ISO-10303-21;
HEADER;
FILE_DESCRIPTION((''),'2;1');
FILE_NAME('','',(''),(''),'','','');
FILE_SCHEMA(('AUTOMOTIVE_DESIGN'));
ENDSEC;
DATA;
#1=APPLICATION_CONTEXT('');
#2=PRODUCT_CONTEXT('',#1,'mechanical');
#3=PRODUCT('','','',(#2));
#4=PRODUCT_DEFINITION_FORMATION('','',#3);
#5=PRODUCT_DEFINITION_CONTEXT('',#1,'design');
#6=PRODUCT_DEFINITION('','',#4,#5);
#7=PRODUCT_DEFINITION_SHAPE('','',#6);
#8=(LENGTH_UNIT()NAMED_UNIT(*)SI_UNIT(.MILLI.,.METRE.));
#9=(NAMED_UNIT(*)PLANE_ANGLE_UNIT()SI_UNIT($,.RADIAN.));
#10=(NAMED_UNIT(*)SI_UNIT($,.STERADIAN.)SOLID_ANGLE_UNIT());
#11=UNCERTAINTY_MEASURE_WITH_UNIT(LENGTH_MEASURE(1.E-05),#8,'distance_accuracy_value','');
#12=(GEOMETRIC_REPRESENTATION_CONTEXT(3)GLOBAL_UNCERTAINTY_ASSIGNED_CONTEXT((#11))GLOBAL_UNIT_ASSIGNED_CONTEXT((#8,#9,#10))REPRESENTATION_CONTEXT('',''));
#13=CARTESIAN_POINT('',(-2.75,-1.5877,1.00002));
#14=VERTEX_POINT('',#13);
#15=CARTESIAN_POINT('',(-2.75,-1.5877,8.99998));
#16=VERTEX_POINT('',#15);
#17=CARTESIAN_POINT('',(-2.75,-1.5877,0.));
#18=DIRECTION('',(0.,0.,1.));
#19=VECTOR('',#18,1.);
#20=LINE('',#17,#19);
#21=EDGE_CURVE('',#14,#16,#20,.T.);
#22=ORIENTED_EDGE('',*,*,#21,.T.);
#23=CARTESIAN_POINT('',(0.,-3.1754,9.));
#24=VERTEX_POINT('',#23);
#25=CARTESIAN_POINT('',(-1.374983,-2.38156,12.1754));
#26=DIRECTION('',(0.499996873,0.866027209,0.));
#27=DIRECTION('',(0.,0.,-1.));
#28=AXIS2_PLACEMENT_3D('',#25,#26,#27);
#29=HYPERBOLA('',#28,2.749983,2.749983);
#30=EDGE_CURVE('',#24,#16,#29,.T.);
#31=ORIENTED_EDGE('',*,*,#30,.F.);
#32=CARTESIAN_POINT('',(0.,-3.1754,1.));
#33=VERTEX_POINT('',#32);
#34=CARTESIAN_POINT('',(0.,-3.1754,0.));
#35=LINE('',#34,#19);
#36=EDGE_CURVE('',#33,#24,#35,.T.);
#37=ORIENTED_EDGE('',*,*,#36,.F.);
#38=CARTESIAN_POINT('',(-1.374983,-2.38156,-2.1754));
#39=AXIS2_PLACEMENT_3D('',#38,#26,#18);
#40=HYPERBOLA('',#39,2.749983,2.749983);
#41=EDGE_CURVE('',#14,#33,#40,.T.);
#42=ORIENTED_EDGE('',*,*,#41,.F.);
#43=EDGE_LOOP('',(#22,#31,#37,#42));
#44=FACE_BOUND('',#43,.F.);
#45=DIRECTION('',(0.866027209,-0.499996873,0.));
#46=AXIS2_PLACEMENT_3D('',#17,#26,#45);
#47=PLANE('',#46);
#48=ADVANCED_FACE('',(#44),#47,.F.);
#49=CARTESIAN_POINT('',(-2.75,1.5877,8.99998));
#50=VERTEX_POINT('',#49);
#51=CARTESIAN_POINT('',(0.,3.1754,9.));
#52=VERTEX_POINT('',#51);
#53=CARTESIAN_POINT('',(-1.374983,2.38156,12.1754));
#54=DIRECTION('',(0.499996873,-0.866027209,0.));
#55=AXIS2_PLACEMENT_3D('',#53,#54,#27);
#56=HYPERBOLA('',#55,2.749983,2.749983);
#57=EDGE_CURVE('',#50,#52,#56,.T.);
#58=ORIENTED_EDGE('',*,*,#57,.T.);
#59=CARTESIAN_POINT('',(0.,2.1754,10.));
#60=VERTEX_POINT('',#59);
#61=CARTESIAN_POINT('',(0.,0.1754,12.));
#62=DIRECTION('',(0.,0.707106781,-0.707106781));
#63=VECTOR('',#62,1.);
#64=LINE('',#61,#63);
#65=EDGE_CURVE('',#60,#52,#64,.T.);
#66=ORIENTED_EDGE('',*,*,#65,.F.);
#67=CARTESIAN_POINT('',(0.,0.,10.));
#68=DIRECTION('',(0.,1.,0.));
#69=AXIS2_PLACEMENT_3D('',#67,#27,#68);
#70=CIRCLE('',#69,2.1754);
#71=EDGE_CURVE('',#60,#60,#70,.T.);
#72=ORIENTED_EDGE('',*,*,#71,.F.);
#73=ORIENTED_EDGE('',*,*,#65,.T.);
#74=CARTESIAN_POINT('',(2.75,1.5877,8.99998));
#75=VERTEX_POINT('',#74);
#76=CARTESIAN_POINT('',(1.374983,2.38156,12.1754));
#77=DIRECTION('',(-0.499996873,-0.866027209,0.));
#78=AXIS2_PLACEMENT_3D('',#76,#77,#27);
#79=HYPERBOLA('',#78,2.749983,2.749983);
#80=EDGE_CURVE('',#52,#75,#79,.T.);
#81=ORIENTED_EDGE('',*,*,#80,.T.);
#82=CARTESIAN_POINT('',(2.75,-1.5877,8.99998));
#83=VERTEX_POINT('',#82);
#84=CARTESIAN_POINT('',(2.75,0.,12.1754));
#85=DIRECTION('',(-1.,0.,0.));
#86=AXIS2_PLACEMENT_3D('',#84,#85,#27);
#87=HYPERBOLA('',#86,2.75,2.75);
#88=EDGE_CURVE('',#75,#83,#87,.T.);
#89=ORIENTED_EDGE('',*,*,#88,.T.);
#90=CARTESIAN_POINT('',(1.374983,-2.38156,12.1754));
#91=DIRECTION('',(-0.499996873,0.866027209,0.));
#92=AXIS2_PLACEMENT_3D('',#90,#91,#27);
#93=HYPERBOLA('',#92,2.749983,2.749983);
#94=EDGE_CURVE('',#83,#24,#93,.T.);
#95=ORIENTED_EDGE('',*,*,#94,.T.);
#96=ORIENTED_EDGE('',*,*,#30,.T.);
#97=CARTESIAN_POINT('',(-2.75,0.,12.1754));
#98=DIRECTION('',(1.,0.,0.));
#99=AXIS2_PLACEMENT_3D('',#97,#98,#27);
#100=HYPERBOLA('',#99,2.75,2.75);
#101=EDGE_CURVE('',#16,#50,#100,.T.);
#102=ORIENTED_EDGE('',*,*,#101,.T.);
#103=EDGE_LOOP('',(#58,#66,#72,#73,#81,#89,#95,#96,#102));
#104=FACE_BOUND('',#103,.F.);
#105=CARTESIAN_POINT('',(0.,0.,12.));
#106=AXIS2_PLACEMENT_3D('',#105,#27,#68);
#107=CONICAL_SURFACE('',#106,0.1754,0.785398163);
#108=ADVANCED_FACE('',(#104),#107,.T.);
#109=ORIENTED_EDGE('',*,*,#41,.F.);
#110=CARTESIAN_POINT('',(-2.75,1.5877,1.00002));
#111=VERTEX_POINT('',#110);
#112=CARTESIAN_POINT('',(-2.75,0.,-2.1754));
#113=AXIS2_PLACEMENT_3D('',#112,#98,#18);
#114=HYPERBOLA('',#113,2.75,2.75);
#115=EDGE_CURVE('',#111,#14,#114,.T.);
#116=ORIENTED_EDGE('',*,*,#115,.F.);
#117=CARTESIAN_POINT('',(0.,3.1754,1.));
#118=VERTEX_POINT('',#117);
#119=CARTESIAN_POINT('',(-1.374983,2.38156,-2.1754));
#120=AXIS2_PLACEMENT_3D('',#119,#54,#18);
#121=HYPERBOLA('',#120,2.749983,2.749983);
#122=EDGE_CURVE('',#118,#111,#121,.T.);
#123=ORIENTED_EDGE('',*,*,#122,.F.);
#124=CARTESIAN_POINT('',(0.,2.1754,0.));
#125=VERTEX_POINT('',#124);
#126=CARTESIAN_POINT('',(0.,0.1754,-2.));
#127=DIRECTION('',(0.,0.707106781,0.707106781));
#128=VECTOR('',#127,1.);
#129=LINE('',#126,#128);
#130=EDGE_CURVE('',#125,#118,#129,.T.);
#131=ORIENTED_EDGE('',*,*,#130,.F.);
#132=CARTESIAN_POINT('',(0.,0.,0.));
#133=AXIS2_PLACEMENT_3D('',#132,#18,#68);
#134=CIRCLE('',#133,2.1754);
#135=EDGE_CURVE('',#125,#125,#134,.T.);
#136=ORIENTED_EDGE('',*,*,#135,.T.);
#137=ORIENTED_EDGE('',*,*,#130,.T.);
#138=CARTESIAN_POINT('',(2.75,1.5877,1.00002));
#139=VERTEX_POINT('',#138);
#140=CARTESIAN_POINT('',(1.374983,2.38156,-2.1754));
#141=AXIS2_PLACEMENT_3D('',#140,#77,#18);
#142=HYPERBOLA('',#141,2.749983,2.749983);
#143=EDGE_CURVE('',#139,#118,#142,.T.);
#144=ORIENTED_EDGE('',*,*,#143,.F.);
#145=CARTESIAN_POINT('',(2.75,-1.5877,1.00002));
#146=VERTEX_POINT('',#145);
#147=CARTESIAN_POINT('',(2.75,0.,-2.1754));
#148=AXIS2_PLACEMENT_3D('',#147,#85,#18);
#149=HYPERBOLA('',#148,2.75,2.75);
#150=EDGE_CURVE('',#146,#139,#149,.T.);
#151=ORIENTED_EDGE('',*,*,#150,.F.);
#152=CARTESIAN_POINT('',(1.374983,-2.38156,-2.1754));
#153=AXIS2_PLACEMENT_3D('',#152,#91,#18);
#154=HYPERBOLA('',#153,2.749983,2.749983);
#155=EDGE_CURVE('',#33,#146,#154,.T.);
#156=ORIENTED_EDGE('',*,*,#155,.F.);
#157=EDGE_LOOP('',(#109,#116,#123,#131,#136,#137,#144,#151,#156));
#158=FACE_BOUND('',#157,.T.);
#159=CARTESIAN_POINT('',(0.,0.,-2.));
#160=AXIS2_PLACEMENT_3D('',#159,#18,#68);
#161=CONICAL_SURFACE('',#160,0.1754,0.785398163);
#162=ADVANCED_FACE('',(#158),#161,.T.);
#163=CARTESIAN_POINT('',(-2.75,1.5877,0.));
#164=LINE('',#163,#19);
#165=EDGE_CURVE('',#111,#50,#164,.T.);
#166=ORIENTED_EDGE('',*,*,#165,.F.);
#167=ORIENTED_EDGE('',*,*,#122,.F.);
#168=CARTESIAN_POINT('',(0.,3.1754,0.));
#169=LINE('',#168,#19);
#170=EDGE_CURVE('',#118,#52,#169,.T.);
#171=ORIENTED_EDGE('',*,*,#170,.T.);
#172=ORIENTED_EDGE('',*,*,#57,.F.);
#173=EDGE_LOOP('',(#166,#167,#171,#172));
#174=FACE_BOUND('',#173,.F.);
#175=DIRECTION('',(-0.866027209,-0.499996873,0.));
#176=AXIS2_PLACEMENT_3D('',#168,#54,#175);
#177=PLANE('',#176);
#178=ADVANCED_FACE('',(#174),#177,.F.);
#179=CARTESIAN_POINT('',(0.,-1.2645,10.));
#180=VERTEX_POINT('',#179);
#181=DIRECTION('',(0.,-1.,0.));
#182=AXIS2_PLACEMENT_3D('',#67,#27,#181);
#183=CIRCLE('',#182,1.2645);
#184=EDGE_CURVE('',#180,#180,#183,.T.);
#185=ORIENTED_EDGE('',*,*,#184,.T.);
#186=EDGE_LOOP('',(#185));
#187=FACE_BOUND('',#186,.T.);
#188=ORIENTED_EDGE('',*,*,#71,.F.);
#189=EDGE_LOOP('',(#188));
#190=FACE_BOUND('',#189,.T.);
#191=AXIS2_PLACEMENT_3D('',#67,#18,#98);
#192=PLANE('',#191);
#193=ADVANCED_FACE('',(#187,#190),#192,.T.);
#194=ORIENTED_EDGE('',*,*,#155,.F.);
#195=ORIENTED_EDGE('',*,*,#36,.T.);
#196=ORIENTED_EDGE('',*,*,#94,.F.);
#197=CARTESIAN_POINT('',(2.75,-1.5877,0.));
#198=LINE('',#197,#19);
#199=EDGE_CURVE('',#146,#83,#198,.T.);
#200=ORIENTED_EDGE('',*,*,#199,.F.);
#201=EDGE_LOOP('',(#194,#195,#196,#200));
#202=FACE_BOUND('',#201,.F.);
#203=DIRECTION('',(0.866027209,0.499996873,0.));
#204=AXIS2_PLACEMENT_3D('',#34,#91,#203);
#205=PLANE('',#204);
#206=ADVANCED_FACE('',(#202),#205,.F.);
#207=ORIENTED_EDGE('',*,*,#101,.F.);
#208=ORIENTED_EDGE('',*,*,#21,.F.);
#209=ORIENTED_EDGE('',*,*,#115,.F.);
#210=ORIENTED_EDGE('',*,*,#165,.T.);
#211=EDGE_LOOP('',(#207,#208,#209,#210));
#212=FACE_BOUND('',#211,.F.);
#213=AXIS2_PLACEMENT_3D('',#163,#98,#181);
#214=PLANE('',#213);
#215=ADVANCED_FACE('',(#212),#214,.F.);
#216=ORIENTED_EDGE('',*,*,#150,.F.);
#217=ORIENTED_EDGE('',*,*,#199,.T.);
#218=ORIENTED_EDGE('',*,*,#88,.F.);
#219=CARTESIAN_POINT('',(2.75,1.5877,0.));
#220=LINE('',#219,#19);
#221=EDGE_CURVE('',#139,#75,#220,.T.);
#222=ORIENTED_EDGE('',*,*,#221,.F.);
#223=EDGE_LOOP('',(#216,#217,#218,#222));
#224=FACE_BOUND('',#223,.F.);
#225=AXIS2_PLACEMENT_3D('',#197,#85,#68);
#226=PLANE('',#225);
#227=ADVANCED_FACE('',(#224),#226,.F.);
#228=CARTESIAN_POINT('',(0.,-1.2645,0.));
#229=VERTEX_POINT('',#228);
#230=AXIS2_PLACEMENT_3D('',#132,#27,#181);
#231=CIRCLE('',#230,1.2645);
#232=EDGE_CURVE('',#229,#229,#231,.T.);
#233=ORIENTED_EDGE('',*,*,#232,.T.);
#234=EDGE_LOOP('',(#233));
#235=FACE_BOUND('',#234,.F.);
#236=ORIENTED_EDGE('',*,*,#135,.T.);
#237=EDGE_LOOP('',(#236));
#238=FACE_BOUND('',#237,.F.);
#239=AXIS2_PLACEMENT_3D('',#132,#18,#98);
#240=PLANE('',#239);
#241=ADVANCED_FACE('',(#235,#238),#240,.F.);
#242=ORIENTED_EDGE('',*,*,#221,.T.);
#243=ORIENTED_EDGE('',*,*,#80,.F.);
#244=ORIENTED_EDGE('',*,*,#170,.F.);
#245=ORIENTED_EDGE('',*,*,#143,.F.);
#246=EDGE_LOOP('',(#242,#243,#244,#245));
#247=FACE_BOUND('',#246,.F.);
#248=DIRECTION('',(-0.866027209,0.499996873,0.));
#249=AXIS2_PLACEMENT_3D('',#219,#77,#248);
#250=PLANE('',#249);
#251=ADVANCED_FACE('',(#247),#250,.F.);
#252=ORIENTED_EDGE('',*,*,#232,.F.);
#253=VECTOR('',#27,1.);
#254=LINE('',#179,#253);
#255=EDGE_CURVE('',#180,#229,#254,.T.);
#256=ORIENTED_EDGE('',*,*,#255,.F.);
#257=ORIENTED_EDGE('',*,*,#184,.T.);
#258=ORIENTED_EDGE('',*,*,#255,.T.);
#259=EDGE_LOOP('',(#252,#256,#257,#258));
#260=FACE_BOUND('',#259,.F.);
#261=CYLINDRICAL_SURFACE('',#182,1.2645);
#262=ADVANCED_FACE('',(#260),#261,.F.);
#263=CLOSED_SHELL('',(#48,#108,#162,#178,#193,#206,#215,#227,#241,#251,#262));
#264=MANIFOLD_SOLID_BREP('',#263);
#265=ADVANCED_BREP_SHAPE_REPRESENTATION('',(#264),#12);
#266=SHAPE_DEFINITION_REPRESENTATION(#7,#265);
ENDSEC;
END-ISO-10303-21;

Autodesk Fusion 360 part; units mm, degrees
sketch "Skizze1" plane through (0, 0, 0) normal (0, 0, 1) x (1, 0, 0)
  line L0 (2.75, 1.5877) -> (0, 3.1754)
  line L1 (0, 3.1754) -> (-2.75, 1.5877)
  line L2 (-2.75, 1.5877) -> (-2.75, -1.5877)
  line L3 (-2.75, -1.5877) -> (0, -3.1754)
  line L4 (0, -3.1754) -> (2.75, -1.5877)
  line L5 (2.75, -1.5877) -> (2.75, 1.5877)
  dimension "d1" = 5.5
extrude "Extrusion1" add sketch "Skizze1" along normal blind 10
sketch "Skizze2" plane through (0, 0, 0) normal (1, 0, 0) x (0, 0, -1)
  line L0 (-10, 1.5877) -> (-10, 3.1754)
  line L1 (0, 1.5877) -> (0, 3.1754)
  line L2 (0, 3.1754) -> (-10, 3.1754)
  line L3 (2, 0.1754) -> (-1.5, 3.6754)
  line L4 (-1.5, 3.6754) -> (2, 3.6754)
  line L5 (2, 3.6754) -> (2, 0.1754)
  line L6 (-8.5, 3.6754) -> (-12, 3.6754)
  line L7 (-12, 3.6754) -> (-12, 0.1754)
  line L8 (-12, 0.1754) -> (-8.5, 3.6754)
  dimension "d4" = 45
  dimension "d5" = 45
  dimension "d6" = 2
  dimension "d7" = 2
  dimension "d8" = 3.5
  dimension "d9" = 0.5
revolve "Drehen1" cut sketch "Skizze2" angle 360 about axis through (0, 0, 1.75) along (0, 0, 1)
hole "Bohrung1" at (0, 0, 10) direction (0, 0, -1) diameter 2.529 end through all
